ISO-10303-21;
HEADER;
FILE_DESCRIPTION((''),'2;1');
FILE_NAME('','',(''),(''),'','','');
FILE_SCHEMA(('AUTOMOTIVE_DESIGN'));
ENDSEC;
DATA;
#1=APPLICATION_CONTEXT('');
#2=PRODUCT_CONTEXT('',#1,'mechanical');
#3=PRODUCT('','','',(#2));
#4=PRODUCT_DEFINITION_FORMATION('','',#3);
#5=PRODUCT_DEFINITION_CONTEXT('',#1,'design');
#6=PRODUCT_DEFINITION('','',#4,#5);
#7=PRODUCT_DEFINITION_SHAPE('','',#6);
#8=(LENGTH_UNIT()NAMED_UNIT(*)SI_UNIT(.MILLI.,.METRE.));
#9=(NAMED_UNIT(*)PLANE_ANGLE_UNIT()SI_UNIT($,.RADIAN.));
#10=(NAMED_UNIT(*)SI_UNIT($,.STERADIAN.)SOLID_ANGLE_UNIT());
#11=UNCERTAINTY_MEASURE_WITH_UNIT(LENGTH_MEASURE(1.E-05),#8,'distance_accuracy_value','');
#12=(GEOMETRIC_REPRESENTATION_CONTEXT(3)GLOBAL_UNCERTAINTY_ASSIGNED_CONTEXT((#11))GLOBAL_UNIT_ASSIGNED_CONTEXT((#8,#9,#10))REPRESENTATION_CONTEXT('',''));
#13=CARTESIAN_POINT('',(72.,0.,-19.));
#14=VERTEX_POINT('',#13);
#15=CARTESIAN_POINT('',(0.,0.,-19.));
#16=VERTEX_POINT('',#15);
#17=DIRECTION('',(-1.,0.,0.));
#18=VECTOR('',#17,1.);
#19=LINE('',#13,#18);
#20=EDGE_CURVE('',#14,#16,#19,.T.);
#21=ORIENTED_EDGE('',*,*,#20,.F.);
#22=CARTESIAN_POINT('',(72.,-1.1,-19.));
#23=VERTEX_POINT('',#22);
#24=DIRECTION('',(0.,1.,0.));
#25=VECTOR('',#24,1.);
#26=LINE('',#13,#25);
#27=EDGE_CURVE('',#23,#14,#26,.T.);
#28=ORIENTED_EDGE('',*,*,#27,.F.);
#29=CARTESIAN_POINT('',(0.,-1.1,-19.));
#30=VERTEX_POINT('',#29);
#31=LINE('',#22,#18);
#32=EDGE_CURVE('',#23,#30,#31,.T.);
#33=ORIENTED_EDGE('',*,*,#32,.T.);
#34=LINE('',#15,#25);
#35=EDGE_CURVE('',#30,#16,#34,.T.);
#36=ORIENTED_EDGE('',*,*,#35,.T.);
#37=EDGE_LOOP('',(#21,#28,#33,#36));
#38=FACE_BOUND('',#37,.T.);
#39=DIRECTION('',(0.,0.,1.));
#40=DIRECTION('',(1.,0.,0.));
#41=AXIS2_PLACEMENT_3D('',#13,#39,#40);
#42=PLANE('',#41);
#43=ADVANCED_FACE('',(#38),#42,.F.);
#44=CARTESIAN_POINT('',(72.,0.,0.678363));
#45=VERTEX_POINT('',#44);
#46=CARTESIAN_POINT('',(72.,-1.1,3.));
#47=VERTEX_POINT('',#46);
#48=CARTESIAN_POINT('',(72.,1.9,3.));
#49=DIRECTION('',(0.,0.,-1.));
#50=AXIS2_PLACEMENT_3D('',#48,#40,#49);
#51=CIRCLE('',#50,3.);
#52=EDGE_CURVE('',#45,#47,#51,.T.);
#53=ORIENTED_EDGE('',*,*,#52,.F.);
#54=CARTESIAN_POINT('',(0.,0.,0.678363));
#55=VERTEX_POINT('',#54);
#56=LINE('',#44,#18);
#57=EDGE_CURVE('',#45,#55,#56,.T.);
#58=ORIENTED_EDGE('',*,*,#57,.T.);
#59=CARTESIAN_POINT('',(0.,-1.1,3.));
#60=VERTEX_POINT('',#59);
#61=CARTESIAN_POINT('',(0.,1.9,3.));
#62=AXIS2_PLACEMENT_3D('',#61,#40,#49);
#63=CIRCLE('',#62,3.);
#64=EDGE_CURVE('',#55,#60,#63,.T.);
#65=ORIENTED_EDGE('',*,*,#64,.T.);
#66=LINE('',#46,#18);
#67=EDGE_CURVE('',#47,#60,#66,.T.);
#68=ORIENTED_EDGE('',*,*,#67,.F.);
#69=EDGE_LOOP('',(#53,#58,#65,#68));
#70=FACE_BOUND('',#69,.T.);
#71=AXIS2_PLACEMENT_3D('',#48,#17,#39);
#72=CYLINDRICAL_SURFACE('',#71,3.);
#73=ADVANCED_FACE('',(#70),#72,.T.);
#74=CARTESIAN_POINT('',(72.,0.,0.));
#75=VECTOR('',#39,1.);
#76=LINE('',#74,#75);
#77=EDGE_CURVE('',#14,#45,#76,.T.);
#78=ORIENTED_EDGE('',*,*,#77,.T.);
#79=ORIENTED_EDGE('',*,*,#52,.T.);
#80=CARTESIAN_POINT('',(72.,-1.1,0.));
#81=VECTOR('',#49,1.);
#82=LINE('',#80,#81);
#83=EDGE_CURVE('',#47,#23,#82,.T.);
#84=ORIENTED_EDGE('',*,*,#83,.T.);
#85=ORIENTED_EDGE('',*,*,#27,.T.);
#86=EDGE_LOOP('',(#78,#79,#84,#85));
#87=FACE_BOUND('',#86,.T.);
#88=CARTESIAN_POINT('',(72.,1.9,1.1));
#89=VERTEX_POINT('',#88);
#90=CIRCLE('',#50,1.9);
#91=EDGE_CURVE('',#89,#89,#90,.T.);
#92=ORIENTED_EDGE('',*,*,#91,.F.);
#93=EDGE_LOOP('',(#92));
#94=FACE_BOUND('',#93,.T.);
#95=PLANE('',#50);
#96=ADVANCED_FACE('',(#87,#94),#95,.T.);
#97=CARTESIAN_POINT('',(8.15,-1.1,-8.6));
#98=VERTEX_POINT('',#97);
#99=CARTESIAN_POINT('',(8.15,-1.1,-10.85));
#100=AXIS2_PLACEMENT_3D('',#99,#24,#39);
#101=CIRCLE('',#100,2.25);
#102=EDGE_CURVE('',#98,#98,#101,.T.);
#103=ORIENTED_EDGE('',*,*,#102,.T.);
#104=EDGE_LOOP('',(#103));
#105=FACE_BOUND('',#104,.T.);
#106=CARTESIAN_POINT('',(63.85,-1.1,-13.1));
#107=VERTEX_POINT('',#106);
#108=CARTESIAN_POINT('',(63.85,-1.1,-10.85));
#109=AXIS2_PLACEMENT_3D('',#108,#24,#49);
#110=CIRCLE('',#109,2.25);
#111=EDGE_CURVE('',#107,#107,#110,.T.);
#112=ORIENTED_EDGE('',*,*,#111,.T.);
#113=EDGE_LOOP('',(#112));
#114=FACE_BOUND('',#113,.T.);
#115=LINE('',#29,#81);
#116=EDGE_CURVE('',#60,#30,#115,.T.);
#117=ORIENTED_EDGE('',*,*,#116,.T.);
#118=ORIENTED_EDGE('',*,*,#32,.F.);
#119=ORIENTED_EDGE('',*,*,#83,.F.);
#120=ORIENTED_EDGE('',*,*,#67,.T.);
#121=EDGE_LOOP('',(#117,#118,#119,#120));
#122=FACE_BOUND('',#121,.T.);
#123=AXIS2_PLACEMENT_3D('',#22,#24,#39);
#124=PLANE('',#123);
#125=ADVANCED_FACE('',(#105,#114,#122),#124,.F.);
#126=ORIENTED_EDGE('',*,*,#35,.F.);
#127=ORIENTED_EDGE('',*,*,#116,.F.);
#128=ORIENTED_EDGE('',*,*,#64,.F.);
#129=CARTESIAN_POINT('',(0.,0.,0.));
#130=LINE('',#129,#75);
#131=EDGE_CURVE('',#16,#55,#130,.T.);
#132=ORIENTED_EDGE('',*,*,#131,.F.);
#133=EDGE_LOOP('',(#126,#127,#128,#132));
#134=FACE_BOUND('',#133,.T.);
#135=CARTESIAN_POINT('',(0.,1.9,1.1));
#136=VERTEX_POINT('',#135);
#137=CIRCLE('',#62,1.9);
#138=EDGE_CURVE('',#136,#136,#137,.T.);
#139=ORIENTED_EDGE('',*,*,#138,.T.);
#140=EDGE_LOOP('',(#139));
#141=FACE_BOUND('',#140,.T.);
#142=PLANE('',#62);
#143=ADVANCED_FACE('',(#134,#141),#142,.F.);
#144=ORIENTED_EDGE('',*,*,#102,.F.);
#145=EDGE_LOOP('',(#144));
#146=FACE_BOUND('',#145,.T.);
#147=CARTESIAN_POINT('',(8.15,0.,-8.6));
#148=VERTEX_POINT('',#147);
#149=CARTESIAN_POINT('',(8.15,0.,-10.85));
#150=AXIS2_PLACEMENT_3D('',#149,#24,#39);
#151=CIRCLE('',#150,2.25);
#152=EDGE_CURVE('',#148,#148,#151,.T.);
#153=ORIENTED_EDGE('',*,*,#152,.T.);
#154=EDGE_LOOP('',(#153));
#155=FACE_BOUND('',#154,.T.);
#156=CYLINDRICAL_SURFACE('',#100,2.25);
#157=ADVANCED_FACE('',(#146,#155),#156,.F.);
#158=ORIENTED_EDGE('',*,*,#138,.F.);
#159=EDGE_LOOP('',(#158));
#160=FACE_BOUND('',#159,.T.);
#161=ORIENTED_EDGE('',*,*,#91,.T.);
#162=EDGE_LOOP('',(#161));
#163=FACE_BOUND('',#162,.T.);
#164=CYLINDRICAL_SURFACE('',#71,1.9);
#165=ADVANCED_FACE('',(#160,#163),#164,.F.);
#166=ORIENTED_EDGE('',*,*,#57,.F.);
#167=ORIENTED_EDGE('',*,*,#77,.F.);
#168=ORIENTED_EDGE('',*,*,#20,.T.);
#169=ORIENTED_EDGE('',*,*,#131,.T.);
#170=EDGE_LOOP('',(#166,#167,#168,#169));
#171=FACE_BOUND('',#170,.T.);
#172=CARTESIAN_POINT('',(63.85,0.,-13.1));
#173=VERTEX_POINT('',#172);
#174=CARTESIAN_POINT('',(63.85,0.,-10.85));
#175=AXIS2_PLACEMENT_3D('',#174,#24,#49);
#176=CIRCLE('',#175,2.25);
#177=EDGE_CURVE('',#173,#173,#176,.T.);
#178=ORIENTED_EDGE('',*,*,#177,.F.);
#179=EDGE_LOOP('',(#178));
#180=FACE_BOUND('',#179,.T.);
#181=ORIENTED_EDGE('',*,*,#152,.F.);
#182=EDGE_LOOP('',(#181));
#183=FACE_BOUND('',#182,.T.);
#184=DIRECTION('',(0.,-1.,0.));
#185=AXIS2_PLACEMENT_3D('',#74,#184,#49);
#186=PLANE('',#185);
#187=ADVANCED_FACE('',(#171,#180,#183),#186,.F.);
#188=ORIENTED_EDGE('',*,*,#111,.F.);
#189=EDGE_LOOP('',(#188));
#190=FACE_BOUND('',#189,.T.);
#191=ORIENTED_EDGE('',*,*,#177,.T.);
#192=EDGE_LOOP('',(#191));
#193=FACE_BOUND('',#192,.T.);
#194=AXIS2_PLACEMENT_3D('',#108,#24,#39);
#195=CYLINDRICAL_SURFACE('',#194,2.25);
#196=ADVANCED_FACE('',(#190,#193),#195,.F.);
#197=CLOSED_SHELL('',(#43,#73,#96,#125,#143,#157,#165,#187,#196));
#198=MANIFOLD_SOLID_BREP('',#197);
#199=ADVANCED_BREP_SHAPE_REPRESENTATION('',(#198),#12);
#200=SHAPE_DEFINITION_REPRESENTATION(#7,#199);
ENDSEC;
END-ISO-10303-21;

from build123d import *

# Parameters (mm, degrees)
SKETCH_1_R          = 1.9
EXTRUDE_1_DEPTH     = 72
SKETCH_2_R          = 2.25
CUT_EXTRUDE_1_DEPTH = 2.1


with BuildPart() as part:
    # 草图1 → 凸台-拉伸1 (new body)
    with BuildSketch(Plane(origin=(0, 0, 0), x_dir=(0, 0, -1), z_dir=(1, 0, 0))):
        with BuildLine():
            Line((0, 0), (19, 0))
            Line((19, 0), (19, -1.1))
            Line((19, -1.1), (0, -1.1))
            Line((0, -1.1), (-3, -1.1))
            ThreePointArc((-3, -1.1), (-4.284523258, 4.611088342), (-0.678362647, 0))
            Line((-0.678362647, 0), (0, 0))
        make_face()
        with Locations((-3, 1.9)):
            Circle(SKETCH_1_R, mode=Mode.SUBTRACT)
    extrude(amount=EXTRUDE_1_DEPTH)

    # 草图2 → 切除-拉伸1 (cut, through all)
    with BuildSketch(Plane(origin=(0, 0, 0), x_dir=(1, 0, 0), z_dir=(0, 1, 0))):
        with Locations((8.15, 10.85)):
            Circle(SKETCH_2_R)
        with Locations((63.85, 10.85)):
            Circle(SKETCH_2_R)
    extrude(amount=-CUT_EXTRUDE_1_DEPTH, mode=Mode.SUBTRACT)


solid = part.part
